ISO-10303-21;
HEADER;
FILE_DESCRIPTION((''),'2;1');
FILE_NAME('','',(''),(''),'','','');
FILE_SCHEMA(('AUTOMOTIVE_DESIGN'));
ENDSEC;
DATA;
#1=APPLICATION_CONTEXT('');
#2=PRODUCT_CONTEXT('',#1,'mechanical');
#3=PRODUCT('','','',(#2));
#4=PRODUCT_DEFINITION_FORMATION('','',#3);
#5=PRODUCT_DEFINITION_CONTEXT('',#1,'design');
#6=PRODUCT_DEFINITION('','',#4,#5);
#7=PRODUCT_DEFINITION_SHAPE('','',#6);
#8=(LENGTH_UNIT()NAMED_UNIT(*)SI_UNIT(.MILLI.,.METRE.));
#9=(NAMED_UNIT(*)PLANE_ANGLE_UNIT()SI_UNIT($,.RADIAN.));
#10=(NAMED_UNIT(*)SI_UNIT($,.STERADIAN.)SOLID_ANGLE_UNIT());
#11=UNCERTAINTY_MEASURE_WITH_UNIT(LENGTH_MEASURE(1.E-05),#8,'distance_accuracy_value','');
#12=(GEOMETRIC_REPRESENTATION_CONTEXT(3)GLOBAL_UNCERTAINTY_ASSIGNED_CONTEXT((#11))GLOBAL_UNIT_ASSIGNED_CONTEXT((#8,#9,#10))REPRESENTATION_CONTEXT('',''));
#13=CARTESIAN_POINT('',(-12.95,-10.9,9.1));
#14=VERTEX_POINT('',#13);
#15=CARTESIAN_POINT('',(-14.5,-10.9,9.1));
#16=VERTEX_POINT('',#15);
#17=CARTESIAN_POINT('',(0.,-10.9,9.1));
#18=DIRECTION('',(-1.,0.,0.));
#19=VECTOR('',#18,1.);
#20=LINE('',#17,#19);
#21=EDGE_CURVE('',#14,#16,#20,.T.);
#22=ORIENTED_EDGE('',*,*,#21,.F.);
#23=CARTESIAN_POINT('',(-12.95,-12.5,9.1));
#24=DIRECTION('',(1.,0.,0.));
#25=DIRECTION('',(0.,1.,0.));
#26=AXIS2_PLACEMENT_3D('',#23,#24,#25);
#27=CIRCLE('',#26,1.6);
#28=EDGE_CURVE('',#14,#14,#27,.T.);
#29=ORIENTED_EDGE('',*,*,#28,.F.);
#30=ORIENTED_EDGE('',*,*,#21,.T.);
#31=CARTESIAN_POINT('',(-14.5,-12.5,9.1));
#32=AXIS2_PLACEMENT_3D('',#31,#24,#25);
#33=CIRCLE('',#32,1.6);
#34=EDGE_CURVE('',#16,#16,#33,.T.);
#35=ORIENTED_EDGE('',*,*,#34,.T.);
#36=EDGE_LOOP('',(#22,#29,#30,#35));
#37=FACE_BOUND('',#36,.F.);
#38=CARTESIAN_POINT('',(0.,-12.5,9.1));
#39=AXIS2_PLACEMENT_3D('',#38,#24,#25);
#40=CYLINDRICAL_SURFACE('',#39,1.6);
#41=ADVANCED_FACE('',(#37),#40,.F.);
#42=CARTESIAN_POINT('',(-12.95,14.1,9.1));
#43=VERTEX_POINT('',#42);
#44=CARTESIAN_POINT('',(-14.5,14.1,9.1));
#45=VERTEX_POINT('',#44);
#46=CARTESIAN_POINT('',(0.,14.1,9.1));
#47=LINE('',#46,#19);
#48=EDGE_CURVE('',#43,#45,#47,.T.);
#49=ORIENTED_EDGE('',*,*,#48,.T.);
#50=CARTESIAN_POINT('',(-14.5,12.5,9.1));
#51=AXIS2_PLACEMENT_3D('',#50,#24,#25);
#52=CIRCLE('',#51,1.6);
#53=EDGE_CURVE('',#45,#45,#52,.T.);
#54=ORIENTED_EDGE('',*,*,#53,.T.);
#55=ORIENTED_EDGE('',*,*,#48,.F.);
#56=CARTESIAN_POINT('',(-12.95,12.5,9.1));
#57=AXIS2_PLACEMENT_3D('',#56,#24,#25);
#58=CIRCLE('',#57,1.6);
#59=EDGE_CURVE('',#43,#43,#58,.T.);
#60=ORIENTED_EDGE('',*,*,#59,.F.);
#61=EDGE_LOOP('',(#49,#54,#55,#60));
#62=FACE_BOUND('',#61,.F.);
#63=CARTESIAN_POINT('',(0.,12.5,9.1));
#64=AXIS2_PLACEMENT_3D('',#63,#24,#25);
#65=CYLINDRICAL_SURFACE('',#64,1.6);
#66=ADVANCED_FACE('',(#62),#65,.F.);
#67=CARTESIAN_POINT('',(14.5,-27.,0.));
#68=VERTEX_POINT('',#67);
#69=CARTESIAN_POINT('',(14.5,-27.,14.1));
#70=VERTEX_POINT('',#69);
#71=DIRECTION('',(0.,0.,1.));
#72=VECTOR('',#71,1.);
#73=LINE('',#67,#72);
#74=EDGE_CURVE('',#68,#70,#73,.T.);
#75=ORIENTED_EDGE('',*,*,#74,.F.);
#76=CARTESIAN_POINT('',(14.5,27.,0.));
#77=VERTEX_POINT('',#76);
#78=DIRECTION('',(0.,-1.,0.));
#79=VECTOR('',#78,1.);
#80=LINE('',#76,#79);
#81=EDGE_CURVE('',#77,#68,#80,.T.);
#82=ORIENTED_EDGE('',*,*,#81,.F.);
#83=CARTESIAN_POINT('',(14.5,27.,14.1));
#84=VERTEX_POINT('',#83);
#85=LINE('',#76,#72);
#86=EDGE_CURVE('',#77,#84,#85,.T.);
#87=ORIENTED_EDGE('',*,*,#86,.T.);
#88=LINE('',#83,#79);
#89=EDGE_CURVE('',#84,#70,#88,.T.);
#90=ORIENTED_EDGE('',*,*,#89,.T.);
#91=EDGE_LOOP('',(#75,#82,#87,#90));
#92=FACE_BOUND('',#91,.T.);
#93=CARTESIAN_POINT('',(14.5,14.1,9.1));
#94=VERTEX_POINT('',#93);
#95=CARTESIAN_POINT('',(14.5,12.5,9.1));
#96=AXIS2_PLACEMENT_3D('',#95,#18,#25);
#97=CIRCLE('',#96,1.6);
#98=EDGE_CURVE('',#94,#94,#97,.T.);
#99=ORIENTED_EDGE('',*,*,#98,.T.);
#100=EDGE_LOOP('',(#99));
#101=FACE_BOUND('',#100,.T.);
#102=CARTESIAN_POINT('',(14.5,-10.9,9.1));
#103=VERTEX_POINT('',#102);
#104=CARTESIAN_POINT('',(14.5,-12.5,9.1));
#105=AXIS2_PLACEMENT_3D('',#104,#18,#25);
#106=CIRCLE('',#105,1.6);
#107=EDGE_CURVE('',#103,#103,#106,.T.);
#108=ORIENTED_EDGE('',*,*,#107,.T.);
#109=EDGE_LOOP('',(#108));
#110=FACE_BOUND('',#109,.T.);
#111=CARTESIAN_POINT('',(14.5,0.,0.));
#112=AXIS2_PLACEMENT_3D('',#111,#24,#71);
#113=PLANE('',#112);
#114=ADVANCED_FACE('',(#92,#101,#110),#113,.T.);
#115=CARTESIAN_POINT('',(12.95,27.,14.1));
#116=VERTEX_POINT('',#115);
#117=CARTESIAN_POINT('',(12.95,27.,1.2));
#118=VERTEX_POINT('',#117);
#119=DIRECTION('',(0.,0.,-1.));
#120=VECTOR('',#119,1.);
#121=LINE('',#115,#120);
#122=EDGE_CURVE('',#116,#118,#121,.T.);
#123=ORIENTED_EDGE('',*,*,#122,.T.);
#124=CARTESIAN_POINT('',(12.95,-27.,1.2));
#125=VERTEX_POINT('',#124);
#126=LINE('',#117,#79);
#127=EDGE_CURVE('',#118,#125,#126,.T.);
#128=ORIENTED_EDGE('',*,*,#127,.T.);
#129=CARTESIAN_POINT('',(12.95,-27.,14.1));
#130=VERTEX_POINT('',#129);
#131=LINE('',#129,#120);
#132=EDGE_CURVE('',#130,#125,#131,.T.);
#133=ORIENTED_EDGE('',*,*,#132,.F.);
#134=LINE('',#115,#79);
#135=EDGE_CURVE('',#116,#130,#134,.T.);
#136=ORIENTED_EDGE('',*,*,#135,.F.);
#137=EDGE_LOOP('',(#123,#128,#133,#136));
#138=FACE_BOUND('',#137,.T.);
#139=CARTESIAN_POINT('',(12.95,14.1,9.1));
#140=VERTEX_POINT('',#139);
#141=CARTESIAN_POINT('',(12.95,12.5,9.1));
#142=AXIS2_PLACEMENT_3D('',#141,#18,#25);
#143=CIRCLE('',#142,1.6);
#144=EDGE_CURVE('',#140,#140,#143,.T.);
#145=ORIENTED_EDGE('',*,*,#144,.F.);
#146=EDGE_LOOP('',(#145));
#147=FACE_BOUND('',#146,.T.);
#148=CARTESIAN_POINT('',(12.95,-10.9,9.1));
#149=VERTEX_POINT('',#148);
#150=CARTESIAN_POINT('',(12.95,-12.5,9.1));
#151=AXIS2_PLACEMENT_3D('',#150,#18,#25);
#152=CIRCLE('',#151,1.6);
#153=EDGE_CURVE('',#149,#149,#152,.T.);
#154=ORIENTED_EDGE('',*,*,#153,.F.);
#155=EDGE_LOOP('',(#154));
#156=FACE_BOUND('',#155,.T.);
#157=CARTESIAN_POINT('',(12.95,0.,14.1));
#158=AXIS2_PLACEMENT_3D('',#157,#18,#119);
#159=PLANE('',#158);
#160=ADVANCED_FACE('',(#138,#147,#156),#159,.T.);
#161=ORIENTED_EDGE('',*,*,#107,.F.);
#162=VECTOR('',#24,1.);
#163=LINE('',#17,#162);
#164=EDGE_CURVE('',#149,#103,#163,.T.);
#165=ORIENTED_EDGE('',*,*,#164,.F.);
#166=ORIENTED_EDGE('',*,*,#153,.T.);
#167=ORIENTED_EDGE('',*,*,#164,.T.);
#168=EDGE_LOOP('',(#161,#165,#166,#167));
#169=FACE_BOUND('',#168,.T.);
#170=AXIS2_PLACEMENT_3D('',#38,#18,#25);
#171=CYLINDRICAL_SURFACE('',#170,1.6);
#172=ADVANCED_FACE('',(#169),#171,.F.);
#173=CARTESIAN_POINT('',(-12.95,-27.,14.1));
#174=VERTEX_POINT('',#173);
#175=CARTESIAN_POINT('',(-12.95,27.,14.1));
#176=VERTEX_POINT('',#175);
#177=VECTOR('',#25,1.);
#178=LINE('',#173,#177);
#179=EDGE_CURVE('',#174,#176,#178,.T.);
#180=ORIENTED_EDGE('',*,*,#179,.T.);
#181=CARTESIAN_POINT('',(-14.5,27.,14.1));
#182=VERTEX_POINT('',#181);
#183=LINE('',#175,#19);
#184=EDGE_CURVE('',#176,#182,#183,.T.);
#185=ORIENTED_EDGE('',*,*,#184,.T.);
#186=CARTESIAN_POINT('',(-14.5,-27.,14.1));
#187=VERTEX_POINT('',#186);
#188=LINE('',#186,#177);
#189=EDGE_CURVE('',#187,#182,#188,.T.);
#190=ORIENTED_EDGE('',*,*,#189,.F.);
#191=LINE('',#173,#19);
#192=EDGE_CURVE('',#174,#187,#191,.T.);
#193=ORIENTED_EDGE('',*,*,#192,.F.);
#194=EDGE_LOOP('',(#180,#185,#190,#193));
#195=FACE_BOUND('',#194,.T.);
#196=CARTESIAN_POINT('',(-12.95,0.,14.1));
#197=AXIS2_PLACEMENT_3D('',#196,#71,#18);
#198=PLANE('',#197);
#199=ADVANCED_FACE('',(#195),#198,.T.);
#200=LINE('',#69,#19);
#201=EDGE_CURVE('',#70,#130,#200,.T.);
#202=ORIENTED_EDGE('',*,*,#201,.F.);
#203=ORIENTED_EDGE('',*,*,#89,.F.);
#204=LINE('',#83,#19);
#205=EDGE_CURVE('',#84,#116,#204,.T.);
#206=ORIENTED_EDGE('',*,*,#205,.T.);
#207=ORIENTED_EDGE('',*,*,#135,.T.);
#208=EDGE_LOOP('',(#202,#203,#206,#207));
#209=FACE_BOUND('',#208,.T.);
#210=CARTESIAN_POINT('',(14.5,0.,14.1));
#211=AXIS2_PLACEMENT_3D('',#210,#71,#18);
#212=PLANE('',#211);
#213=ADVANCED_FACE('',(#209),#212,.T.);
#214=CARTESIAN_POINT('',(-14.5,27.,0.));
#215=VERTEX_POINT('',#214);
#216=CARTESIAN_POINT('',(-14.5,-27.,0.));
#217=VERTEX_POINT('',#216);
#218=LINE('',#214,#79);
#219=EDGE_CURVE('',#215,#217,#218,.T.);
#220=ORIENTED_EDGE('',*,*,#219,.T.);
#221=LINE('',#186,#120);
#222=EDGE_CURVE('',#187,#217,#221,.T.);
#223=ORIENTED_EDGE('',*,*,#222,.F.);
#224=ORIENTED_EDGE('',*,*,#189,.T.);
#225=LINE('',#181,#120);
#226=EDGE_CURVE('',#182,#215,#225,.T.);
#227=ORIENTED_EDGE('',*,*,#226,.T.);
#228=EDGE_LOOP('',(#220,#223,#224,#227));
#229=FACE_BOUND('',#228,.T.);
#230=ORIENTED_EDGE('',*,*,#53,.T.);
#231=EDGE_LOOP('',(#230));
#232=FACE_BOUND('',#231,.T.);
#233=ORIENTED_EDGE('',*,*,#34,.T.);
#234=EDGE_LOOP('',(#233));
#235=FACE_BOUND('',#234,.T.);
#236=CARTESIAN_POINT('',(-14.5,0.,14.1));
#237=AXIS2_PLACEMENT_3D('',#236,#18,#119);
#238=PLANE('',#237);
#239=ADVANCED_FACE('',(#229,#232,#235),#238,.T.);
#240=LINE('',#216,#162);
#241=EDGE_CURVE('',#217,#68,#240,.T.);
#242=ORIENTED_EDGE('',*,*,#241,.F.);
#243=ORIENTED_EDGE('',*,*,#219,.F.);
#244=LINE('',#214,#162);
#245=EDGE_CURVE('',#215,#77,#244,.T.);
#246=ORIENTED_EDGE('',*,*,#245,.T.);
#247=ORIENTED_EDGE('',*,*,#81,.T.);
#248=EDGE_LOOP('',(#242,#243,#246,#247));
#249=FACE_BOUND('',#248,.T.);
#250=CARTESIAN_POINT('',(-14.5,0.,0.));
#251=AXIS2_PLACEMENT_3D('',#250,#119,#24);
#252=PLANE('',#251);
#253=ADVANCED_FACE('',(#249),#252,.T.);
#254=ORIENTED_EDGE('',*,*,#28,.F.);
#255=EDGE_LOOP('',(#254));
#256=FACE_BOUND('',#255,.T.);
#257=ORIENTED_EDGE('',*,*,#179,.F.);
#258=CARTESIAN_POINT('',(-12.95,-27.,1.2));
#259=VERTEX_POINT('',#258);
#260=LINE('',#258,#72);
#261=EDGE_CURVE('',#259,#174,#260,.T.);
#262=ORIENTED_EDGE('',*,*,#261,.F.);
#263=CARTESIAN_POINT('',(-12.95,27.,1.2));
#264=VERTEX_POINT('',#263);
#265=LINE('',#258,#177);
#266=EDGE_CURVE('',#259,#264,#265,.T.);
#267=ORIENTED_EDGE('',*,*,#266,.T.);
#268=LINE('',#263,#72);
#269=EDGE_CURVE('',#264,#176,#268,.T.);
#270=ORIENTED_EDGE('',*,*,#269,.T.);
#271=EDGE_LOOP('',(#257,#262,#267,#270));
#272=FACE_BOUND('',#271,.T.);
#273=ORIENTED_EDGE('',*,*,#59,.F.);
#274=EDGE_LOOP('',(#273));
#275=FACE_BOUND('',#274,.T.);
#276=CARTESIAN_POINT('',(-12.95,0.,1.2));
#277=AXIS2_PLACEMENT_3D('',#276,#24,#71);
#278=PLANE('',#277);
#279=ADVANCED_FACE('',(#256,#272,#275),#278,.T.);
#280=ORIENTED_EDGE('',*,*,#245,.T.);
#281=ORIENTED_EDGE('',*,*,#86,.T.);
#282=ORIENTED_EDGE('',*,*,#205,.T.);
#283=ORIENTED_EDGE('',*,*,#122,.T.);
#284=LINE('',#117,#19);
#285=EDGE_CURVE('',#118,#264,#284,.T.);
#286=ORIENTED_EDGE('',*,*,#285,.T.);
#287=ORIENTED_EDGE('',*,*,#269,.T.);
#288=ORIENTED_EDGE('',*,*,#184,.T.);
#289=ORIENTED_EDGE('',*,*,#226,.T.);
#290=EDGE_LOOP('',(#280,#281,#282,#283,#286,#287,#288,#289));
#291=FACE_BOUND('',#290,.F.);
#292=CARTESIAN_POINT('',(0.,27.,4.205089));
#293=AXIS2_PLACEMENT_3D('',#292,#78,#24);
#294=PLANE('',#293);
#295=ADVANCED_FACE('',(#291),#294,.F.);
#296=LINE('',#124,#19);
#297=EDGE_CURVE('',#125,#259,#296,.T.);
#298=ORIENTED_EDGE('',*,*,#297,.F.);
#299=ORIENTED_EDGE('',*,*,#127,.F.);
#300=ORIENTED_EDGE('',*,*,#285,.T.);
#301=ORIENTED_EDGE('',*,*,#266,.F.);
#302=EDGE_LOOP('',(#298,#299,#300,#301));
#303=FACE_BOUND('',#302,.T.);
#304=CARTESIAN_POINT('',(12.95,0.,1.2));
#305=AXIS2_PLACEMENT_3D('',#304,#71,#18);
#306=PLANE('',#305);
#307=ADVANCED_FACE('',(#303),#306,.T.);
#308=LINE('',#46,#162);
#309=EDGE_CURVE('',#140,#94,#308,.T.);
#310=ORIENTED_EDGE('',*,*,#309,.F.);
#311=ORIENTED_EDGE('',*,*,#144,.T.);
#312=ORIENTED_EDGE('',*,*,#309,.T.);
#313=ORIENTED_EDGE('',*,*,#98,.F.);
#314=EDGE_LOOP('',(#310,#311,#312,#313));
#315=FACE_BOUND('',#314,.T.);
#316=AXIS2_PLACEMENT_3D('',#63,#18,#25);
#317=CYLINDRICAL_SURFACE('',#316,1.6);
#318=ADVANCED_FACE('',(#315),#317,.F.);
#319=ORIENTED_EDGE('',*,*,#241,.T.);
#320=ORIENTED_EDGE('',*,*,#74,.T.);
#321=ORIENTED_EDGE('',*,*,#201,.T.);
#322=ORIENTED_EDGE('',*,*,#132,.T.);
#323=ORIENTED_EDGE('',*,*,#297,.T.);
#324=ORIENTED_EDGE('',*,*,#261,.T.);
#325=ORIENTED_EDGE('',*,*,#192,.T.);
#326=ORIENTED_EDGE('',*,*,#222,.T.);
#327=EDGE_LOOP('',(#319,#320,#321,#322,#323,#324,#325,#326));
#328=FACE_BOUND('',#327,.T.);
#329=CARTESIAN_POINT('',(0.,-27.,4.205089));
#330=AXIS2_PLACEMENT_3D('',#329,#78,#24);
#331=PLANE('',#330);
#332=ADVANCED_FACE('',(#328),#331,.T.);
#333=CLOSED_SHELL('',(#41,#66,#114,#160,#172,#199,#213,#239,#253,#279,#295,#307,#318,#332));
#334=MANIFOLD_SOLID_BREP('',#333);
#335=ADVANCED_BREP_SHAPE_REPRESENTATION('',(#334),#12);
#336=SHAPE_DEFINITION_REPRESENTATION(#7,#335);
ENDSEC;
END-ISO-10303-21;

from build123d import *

# Parameters (mm, degrees)
PAD_DEPTH         = 27
SKETCH001_R       = 1.6
POCKET_DEPTH      = 14.501
POCKET_DEPTH_BACK = -14.501


with BuildPart() as part:
    # Sketch → Pad (new body, symmetric)
    with BuildSketch(Plane.XZ):
        Polygon((-14.5, 14.1), (-14.5, 0), (14.5, 0), (14.5, 14.1), (12.95, 14.1), (12.95, 1.2), (-12.95, 1.2), (-12.95, 14.1), align=None)
    extrude(amount=PAD_DEPTH, both=True)

    # Sketch001 → Pocket (cut, two sides)
    with BuildSketch(Plane.YZ) as pocket_sk:
        with Locations((-12.5, 9.1)):
            Circle(SKETCH001_R)
        with Locations((12.5, 9.1)):
            Circle(SKETCH001_R)
    extrude(amount=-POCKET_DEPTH, mode=Mode.SUBTRACT)
    extrude(pocket_sk.sketch, amount=-POCKET_DEPTH_BACK, mode=Mode.SUBTRACT)


solid = part.part
